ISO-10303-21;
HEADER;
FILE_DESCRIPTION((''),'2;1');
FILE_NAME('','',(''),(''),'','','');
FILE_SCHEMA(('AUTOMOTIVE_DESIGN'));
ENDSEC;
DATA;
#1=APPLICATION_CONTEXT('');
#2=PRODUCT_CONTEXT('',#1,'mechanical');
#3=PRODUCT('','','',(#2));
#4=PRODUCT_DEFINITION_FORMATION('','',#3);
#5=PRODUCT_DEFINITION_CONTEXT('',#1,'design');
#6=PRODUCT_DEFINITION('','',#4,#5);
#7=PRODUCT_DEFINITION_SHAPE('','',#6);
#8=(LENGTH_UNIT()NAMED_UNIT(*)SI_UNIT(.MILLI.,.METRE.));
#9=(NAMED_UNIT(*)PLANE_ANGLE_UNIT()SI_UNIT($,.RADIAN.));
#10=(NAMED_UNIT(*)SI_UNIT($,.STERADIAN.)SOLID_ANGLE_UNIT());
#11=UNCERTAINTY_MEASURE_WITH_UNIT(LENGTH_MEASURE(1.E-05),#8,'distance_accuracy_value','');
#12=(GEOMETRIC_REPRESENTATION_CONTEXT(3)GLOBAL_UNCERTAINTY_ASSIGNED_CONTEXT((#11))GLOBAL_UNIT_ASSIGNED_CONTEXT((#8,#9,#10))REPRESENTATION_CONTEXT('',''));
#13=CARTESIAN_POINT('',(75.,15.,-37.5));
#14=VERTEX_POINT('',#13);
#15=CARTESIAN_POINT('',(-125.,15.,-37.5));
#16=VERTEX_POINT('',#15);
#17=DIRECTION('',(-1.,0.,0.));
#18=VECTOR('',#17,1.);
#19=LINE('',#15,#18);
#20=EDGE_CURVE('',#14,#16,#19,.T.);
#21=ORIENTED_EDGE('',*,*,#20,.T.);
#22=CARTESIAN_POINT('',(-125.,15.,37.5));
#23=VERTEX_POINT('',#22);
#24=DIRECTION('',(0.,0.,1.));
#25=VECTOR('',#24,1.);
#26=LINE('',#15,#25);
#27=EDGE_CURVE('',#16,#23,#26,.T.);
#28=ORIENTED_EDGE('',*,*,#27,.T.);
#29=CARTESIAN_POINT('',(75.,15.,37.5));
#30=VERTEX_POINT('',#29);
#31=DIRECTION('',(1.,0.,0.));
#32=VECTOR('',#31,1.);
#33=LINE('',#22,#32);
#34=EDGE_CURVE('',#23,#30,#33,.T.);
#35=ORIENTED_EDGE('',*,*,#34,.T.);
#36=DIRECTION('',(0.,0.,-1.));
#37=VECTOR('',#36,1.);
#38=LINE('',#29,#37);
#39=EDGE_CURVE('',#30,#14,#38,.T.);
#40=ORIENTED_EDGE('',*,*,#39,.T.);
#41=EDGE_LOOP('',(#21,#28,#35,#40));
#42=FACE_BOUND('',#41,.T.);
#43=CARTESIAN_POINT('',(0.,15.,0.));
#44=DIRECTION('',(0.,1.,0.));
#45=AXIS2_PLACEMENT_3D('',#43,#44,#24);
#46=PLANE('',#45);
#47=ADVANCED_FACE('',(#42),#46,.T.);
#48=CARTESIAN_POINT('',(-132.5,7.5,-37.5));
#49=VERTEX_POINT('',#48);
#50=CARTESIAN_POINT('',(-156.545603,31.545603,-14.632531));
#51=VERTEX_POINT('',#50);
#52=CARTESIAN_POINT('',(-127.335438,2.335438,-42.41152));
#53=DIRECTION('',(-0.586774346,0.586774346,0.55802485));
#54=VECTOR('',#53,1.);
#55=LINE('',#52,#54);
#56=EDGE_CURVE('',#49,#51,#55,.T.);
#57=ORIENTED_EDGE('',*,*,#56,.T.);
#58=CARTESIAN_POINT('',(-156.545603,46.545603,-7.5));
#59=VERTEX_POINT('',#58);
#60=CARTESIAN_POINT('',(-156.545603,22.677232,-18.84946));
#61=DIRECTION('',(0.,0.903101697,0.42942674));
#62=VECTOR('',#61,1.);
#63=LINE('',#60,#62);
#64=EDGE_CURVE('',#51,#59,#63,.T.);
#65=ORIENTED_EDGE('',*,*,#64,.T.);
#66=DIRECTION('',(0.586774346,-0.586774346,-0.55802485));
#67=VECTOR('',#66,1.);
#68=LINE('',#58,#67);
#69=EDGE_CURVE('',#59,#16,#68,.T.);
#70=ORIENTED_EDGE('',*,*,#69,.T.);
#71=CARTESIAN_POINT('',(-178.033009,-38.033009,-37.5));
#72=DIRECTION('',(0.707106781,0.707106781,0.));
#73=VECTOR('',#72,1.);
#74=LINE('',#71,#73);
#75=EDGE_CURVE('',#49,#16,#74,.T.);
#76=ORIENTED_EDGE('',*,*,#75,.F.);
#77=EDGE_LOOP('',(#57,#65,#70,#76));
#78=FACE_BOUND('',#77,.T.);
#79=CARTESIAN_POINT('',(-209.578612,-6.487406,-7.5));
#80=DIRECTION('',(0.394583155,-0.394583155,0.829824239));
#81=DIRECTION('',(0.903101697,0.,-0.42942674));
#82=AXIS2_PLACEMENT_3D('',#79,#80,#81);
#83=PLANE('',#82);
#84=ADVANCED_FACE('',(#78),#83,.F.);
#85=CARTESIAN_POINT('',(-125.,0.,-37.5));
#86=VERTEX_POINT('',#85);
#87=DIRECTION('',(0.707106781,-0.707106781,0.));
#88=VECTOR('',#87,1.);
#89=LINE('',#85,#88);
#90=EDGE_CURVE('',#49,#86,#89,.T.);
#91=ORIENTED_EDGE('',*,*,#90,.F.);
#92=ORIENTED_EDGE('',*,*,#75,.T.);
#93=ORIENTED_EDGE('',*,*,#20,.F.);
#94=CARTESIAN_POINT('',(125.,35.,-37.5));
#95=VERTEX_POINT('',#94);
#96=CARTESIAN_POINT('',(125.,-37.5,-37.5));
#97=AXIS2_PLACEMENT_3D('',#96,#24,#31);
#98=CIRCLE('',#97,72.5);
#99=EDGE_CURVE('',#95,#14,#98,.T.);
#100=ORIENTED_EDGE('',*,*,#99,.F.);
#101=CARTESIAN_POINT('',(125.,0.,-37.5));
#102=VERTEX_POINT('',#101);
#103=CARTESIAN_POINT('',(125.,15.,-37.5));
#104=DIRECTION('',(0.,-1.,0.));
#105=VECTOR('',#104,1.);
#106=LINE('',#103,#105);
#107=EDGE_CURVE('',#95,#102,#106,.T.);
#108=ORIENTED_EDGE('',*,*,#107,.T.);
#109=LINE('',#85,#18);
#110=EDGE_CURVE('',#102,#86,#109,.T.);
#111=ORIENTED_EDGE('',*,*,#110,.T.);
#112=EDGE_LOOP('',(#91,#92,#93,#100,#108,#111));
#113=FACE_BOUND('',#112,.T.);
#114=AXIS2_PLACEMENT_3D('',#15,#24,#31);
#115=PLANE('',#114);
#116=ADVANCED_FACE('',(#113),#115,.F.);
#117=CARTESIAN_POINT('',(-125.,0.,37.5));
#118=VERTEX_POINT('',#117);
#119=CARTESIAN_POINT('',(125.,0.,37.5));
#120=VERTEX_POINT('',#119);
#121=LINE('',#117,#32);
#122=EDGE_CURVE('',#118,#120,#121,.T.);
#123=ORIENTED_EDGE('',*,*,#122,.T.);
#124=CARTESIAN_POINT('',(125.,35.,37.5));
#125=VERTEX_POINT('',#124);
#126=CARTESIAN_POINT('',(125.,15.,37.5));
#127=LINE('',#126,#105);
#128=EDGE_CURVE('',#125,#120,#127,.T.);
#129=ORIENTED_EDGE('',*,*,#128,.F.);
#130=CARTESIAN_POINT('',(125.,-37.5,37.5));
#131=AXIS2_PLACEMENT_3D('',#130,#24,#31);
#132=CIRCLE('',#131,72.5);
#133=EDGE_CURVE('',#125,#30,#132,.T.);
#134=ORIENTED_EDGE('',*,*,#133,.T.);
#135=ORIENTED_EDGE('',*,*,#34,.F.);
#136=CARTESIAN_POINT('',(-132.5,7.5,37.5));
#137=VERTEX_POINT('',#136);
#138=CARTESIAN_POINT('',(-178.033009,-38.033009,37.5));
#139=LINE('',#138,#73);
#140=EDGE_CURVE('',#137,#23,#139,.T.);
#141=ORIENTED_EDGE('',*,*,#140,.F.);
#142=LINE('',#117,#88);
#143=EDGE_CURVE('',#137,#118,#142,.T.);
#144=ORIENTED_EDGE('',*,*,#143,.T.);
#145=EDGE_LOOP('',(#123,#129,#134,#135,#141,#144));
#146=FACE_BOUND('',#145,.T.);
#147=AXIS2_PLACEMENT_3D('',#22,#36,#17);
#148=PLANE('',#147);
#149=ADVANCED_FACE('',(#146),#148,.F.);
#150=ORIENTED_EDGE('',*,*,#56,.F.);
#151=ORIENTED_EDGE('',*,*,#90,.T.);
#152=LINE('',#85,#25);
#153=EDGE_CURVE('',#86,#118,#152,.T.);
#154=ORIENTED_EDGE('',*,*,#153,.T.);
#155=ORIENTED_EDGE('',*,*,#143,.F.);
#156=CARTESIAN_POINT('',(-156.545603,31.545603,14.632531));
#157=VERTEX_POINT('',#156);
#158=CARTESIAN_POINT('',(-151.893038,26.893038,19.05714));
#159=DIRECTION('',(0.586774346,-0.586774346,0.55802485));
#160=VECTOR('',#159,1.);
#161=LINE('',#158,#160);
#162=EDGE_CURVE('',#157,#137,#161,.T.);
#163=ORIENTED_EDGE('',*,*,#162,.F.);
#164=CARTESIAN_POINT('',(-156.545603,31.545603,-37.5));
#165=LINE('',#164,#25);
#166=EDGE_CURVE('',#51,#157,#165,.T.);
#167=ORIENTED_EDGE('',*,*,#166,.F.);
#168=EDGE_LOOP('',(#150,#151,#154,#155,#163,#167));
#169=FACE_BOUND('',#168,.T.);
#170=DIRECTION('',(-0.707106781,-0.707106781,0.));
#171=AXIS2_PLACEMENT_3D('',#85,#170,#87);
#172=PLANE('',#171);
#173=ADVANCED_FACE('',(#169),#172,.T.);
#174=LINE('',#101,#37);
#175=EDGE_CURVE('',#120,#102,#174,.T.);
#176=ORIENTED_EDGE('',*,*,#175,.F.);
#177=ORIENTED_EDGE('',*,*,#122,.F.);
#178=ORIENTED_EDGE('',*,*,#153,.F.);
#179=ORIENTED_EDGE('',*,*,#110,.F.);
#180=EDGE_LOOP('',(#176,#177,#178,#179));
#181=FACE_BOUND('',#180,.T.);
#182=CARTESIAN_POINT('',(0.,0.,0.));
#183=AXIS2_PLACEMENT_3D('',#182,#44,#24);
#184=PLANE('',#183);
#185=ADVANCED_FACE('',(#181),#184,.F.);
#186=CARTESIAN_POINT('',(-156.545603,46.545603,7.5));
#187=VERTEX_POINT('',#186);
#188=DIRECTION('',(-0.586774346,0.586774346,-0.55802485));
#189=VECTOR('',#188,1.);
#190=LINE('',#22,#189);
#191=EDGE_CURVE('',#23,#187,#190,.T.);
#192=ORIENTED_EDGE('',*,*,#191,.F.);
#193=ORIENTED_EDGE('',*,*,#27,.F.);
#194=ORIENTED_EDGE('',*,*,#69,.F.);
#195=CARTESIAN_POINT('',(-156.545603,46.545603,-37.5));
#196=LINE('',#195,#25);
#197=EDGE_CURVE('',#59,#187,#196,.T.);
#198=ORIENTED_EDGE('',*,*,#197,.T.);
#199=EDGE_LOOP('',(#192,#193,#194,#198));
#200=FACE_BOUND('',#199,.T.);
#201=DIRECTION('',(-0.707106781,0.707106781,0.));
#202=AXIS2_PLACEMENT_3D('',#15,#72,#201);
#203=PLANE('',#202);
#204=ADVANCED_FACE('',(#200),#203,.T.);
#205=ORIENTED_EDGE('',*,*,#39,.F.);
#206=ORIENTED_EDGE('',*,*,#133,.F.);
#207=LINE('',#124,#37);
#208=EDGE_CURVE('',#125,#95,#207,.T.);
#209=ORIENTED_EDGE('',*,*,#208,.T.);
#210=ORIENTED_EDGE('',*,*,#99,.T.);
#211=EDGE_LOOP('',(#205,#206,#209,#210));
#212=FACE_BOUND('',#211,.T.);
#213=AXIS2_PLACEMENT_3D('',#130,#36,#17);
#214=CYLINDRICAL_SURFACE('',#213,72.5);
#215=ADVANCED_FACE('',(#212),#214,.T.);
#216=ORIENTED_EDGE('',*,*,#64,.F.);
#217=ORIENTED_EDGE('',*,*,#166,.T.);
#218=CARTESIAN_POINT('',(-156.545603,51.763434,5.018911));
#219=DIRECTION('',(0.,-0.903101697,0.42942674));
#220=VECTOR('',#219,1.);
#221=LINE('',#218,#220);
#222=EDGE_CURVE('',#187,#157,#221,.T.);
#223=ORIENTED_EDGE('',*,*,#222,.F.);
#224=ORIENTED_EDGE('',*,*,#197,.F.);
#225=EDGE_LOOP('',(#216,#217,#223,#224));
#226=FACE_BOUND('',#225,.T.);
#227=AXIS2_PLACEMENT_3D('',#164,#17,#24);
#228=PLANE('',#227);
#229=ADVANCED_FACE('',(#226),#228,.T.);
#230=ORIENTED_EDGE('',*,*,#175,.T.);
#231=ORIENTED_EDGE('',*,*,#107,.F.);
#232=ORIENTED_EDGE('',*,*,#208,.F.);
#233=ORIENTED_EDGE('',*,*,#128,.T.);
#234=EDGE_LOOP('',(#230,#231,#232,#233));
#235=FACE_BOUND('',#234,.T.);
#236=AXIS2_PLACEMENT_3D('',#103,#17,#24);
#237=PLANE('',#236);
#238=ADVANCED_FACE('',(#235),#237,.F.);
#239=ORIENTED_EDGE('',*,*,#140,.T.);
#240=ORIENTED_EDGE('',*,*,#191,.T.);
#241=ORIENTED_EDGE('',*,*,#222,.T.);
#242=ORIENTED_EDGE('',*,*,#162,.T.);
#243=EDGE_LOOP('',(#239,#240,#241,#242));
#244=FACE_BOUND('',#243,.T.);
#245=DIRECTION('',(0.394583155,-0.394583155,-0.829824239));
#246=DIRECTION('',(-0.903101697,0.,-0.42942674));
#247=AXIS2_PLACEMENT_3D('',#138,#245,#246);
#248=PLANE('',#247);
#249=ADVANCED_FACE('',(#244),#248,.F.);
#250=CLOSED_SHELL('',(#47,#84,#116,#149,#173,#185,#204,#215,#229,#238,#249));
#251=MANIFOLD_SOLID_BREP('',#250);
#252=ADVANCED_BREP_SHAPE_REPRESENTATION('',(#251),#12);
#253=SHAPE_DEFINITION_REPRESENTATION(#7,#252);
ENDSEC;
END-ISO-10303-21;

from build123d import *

# Parameters (mm, degrees)
SKETCH1_W           = 250
SKETCH1_H           = 75
BOSS_EXTRUDE1_DEPTH = 15
BOSS_EXTRUDE2_DEPTH = 37.5
BOSS_EXTRUDE3_DEPTH = 75
CUT_EXTRUDE1_DEPTH  = 75


with BuildPart() as part:
    # Sketch1 → Boss-Extrude1 (new body)
    with BuildSketch(Plane(origin=(0, 0, 0), x_dir=(1, 0, 0), z_dir=(0, 1, 0))):
        Rectangle(SKETCH1_W, SKETCH1_H)
    extrude(amount=BOSS_EXTRUDE1_DEPTH)

    # Sketch3 → Boss-Extrude2 (add)
    with BuildSketch(Plane.XY):
        with BuildLine():
            Line((125, 15), (125, 35))
            ThreePointArc((125, 35), (98.074175964, 29.814560089), (75, 15))
            Line((75, 15), (125, 15))
        make_face()
    boss_extrude2 = extrude(amount=BOSS_EXTRUDE2_DEPTH)

    # Mirror1: Boss-Extrude2 across plane
    add(boss_extrude2.mirror(Plane(origin=(125, -37.5, 0), x_dir=(1, 0, 0), z_dir=(0, 0, 1))))

    # Sketch6 → Boss-Extrude3 (add)
    with BuildSketch(Plane.XY.offset(37.5)):
        Polygon((-125, 0), (-125, 15), (-156.545603012, 46.545603012), (-156.545603012, 31.545603012), align=None)
    extrude(amount=-BOSS_EXTRUDE3_DEPTH)

    # Sketch7 → Cut-Extrude1 (cut)
    with BuildSketch(Plane(origin=(-55, -55, 0), x_dir=(0, 0, -1), z_dir=(0.7071067811865438, 0.7071067811865513, 0))):
        Polygon((-37.5, 98.994949366), (-7.5, 143.607168979), (-37.5, 143.607168979), align=None)
        Polygon((7.5, 143.607168979), (37.5, 98.994949366), (37.5, 143.607168979), align=None)
    extrude(amount=-CUT_EXTRUDE1_DEPTH, mode=Mode.SUBTRACT)


solid = part.part
